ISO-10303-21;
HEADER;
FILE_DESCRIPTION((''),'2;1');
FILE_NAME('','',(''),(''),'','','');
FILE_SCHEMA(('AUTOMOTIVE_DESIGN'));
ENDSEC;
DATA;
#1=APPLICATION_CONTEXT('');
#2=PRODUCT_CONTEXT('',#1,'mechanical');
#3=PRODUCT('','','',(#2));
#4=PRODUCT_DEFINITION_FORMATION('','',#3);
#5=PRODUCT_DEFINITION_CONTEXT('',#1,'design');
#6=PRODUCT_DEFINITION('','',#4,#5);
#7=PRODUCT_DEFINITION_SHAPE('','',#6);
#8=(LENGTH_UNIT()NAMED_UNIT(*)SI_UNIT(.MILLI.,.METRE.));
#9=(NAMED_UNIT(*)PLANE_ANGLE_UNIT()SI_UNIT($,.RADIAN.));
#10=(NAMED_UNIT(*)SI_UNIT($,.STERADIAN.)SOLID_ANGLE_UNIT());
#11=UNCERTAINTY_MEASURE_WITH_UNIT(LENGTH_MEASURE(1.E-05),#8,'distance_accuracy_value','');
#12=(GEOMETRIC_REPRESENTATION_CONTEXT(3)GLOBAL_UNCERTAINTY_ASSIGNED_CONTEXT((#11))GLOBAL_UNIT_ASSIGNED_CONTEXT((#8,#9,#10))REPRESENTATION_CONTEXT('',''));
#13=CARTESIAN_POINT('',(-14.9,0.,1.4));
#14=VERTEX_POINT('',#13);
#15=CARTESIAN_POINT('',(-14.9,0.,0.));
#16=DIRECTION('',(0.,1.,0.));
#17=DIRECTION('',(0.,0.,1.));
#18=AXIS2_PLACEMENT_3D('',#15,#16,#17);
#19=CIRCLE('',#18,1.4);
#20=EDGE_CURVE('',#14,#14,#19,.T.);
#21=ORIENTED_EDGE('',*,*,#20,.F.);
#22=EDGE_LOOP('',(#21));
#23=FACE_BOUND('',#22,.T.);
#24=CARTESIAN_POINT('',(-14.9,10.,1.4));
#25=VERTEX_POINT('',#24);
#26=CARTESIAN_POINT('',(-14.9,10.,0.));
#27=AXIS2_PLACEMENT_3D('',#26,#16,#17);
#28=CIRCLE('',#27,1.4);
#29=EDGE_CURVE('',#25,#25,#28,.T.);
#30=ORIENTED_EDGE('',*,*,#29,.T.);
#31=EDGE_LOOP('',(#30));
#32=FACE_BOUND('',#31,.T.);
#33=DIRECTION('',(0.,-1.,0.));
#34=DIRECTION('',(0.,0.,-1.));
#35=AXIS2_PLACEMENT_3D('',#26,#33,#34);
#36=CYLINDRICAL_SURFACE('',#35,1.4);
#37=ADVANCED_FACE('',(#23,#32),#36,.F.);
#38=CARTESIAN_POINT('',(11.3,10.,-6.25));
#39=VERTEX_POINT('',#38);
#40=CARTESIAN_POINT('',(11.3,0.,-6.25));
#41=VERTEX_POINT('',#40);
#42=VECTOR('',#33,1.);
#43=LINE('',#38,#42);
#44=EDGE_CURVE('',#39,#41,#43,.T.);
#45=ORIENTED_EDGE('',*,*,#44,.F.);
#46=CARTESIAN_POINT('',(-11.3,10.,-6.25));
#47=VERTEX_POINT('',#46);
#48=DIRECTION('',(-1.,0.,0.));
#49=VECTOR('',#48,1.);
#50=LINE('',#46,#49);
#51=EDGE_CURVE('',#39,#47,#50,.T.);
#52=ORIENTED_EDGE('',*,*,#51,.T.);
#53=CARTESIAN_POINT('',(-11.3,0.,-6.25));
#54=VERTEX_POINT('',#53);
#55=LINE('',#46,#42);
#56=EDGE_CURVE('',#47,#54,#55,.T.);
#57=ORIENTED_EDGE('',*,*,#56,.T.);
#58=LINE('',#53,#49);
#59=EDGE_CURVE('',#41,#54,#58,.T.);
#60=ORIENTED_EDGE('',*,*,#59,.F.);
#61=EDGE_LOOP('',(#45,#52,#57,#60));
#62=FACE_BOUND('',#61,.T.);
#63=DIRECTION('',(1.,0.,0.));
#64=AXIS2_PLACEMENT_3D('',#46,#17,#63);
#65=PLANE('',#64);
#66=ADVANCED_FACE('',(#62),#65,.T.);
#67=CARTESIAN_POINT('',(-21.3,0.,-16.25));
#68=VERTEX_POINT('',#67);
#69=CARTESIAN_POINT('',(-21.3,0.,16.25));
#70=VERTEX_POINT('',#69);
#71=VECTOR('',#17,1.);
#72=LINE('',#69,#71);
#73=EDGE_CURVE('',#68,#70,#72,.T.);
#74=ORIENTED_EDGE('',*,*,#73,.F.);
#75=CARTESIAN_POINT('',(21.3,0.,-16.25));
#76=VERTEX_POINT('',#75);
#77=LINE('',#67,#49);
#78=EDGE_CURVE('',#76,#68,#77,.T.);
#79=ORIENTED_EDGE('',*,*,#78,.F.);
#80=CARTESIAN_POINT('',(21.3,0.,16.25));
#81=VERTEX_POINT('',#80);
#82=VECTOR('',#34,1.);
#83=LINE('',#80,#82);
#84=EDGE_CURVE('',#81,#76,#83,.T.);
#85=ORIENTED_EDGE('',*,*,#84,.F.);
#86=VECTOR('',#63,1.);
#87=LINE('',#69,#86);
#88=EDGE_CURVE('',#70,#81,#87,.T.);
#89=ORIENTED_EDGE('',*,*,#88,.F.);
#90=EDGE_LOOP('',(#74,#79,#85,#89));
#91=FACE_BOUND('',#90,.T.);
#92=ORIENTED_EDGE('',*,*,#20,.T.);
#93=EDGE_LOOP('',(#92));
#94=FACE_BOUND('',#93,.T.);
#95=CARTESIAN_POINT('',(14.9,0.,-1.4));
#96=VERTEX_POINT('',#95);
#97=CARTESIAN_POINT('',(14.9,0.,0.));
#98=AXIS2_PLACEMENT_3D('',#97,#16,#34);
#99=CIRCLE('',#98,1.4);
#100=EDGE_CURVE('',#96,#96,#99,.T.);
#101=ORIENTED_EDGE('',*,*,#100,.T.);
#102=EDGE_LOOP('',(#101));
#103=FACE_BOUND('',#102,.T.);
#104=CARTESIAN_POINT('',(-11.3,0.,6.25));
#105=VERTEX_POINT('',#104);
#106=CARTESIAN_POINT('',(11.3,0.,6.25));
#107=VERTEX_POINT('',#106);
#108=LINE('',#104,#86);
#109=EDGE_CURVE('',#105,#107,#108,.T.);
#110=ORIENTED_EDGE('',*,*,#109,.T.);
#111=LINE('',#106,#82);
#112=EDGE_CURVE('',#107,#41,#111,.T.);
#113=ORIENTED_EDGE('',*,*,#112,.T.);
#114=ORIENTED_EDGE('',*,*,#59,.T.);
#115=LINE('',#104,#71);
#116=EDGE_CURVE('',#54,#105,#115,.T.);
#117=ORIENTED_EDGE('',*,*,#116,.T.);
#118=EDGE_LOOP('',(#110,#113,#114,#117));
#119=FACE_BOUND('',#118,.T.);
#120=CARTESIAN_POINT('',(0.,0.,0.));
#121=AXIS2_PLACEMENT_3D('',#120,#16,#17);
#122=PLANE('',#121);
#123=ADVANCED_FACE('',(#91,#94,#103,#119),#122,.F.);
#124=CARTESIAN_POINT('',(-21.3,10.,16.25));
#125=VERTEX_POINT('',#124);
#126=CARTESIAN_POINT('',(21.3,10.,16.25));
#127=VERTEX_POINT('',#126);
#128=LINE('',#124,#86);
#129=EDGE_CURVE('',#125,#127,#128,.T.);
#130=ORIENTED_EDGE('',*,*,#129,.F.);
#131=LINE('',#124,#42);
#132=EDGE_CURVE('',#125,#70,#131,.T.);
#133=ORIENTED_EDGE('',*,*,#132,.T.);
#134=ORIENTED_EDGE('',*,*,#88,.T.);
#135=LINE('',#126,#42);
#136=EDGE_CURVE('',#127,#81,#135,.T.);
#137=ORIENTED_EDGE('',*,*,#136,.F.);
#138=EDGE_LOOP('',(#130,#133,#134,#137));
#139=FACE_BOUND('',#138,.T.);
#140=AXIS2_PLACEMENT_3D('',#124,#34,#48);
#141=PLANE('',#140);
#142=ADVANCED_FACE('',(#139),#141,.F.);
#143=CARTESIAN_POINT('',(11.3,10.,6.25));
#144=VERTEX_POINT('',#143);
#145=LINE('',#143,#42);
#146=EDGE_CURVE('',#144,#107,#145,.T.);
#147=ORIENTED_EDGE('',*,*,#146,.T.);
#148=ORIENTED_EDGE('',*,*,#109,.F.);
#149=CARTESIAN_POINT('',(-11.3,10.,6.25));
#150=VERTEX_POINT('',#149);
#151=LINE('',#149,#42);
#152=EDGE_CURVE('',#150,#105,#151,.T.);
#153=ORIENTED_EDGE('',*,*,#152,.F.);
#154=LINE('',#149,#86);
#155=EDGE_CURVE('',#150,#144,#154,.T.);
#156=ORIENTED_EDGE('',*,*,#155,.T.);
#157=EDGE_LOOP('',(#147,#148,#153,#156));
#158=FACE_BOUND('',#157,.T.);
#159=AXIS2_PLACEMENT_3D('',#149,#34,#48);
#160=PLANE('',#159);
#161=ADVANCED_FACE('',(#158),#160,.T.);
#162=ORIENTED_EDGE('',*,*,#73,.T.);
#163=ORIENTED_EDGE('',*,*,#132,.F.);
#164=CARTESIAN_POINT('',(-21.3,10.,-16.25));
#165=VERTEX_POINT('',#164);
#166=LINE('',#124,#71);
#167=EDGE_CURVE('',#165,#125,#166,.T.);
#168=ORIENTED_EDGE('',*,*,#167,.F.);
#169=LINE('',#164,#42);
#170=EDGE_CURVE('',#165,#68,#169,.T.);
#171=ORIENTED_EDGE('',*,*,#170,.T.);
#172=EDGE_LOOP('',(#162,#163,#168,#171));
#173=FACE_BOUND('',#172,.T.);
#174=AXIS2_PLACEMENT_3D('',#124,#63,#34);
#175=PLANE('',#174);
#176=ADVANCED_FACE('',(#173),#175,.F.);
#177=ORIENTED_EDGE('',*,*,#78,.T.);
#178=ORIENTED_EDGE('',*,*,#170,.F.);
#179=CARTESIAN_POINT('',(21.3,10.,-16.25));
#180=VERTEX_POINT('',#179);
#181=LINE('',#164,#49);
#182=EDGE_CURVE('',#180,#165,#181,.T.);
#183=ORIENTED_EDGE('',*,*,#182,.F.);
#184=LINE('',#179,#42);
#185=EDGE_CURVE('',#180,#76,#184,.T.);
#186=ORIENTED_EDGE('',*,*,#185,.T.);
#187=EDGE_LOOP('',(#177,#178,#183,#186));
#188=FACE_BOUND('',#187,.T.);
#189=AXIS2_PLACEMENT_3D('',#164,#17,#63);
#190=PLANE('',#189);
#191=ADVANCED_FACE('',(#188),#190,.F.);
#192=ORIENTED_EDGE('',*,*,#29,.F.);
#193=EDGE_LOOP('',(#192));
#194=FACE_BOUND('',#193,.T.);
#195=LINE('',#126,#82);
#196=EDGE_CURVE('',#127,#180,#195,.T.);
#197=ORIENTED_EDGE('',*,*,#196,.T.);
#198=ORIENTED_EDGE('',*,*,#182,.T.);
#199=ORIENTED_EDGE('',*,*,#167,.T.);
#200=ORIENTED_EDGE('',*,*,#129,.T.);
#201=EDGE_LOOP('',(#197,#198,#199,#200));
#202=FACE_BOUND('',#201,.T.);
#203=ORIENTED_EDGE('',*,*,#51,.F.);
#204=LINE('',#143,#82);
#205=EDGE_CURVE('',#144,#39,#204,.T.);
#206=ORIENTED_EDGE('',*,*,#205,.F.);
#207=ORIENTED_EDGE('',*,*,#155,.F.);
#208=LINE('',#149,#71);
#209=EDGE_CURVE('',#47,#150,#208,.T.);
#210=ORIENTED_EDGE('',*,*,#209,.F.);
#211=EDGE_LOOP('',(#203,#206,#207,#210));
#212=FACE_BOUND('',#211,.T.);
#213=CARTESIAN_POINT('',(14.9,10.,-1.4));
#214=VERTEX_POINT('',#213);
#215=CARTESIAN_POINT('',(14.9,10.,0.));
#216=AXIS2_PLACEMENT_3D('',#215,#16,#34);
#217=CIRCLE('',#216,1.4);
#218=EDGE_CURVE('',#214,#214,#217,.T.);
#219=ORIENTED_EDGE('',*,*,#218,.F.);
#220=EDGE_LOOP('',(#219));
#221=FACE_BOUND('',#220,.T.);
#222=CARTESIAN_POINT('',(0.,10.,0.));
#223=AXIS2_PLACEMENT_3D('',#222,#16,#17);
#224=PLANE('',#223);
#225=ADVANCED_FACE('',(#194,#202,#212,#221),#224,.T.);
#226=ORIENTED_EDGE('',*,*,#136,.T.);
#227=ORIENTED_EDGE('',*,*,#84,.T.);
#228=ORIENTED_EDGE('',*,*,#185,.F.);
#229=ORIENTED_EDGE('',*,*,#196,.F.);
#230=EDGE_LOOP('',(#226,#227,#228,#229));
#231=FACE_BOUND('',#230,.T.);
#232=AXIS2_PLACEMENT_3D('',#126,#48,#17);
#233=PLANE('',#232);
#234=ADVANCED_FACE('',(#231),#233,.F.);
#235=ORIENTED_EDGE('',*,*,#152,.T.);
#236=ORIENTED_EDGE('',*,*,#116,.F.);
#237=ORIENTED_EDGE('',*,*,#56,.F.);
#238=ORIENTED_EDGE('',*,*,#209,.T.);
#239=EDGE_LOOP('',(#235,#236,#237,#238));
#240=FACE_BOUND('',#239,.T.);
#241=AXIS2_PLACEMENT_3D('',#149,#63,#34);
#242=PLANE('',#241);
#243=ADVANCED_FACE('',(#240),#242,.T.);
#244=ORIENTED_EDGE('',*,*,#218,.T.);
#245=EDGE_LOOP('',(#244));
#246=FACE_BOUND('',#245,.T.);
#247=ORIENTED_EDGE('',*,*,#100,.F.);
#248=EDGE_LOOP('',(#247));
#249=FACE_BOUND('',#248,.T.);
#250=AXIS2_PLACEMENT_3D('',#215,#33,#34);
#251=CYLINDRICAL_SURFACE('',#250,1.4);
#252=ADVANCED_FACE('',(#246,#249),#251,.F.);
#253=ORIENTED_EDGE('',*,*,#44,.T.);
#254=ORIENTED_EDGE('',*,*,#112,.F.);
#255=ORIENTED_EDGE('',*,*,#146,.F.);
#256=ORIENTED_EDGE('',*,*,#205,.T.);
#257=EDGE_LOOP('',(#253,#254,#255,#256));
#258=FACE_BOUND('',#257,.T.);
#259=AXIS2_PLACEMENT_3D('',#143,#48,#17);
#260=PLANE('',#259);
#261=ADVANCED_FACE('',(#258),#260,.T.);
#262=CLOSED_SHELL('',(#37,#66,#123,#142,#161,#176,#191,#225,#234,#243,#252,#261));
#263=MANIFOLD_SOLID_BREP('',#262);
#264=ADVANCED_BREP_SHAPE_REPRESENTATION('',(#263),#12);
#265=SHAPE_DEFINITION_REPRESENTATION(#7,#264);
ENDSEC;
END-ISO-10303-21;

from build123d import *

# Parameters (mm, degrees)
SKETCH1_W           = 42.6
SKETCH1_H           = 32.5
SKETCH1_R           = 1.4
SKETCH1_W_2         = 22.6
SKETCH1_H_2         = 12.5
BOSS_EXTRUDE1_DEPTH = 10


with BuildPart() as part:
    # Sketch1 → Boss-Extrude1 (new body)
    with BuildSketch(Plane(origin=(0, 0, 0), x_dir=(1, 0, 0), z_dir=(0, 1, 0))):
        Rectangle(SKETCH1_W, SKETCH1_H)
        with Locations(Location((-14.9, 0, 0), (0, 0, 270))):
            Circle(SKETCH1_R, mode=Mode.SUBTRACT)
        with Locations(Location((14.9, 0, 0), (0, 0, 90))):
            Circle(SKETCH1_R, mode=Mode.SUBTRACT)
        Rectangle(SKETCH1_W_2, SKETCH1_H_2, mode=Mode.SUBTRACT)
    extrude(amount=BOSS_EXTRUDE1_DEPTH)


solid = part.part
